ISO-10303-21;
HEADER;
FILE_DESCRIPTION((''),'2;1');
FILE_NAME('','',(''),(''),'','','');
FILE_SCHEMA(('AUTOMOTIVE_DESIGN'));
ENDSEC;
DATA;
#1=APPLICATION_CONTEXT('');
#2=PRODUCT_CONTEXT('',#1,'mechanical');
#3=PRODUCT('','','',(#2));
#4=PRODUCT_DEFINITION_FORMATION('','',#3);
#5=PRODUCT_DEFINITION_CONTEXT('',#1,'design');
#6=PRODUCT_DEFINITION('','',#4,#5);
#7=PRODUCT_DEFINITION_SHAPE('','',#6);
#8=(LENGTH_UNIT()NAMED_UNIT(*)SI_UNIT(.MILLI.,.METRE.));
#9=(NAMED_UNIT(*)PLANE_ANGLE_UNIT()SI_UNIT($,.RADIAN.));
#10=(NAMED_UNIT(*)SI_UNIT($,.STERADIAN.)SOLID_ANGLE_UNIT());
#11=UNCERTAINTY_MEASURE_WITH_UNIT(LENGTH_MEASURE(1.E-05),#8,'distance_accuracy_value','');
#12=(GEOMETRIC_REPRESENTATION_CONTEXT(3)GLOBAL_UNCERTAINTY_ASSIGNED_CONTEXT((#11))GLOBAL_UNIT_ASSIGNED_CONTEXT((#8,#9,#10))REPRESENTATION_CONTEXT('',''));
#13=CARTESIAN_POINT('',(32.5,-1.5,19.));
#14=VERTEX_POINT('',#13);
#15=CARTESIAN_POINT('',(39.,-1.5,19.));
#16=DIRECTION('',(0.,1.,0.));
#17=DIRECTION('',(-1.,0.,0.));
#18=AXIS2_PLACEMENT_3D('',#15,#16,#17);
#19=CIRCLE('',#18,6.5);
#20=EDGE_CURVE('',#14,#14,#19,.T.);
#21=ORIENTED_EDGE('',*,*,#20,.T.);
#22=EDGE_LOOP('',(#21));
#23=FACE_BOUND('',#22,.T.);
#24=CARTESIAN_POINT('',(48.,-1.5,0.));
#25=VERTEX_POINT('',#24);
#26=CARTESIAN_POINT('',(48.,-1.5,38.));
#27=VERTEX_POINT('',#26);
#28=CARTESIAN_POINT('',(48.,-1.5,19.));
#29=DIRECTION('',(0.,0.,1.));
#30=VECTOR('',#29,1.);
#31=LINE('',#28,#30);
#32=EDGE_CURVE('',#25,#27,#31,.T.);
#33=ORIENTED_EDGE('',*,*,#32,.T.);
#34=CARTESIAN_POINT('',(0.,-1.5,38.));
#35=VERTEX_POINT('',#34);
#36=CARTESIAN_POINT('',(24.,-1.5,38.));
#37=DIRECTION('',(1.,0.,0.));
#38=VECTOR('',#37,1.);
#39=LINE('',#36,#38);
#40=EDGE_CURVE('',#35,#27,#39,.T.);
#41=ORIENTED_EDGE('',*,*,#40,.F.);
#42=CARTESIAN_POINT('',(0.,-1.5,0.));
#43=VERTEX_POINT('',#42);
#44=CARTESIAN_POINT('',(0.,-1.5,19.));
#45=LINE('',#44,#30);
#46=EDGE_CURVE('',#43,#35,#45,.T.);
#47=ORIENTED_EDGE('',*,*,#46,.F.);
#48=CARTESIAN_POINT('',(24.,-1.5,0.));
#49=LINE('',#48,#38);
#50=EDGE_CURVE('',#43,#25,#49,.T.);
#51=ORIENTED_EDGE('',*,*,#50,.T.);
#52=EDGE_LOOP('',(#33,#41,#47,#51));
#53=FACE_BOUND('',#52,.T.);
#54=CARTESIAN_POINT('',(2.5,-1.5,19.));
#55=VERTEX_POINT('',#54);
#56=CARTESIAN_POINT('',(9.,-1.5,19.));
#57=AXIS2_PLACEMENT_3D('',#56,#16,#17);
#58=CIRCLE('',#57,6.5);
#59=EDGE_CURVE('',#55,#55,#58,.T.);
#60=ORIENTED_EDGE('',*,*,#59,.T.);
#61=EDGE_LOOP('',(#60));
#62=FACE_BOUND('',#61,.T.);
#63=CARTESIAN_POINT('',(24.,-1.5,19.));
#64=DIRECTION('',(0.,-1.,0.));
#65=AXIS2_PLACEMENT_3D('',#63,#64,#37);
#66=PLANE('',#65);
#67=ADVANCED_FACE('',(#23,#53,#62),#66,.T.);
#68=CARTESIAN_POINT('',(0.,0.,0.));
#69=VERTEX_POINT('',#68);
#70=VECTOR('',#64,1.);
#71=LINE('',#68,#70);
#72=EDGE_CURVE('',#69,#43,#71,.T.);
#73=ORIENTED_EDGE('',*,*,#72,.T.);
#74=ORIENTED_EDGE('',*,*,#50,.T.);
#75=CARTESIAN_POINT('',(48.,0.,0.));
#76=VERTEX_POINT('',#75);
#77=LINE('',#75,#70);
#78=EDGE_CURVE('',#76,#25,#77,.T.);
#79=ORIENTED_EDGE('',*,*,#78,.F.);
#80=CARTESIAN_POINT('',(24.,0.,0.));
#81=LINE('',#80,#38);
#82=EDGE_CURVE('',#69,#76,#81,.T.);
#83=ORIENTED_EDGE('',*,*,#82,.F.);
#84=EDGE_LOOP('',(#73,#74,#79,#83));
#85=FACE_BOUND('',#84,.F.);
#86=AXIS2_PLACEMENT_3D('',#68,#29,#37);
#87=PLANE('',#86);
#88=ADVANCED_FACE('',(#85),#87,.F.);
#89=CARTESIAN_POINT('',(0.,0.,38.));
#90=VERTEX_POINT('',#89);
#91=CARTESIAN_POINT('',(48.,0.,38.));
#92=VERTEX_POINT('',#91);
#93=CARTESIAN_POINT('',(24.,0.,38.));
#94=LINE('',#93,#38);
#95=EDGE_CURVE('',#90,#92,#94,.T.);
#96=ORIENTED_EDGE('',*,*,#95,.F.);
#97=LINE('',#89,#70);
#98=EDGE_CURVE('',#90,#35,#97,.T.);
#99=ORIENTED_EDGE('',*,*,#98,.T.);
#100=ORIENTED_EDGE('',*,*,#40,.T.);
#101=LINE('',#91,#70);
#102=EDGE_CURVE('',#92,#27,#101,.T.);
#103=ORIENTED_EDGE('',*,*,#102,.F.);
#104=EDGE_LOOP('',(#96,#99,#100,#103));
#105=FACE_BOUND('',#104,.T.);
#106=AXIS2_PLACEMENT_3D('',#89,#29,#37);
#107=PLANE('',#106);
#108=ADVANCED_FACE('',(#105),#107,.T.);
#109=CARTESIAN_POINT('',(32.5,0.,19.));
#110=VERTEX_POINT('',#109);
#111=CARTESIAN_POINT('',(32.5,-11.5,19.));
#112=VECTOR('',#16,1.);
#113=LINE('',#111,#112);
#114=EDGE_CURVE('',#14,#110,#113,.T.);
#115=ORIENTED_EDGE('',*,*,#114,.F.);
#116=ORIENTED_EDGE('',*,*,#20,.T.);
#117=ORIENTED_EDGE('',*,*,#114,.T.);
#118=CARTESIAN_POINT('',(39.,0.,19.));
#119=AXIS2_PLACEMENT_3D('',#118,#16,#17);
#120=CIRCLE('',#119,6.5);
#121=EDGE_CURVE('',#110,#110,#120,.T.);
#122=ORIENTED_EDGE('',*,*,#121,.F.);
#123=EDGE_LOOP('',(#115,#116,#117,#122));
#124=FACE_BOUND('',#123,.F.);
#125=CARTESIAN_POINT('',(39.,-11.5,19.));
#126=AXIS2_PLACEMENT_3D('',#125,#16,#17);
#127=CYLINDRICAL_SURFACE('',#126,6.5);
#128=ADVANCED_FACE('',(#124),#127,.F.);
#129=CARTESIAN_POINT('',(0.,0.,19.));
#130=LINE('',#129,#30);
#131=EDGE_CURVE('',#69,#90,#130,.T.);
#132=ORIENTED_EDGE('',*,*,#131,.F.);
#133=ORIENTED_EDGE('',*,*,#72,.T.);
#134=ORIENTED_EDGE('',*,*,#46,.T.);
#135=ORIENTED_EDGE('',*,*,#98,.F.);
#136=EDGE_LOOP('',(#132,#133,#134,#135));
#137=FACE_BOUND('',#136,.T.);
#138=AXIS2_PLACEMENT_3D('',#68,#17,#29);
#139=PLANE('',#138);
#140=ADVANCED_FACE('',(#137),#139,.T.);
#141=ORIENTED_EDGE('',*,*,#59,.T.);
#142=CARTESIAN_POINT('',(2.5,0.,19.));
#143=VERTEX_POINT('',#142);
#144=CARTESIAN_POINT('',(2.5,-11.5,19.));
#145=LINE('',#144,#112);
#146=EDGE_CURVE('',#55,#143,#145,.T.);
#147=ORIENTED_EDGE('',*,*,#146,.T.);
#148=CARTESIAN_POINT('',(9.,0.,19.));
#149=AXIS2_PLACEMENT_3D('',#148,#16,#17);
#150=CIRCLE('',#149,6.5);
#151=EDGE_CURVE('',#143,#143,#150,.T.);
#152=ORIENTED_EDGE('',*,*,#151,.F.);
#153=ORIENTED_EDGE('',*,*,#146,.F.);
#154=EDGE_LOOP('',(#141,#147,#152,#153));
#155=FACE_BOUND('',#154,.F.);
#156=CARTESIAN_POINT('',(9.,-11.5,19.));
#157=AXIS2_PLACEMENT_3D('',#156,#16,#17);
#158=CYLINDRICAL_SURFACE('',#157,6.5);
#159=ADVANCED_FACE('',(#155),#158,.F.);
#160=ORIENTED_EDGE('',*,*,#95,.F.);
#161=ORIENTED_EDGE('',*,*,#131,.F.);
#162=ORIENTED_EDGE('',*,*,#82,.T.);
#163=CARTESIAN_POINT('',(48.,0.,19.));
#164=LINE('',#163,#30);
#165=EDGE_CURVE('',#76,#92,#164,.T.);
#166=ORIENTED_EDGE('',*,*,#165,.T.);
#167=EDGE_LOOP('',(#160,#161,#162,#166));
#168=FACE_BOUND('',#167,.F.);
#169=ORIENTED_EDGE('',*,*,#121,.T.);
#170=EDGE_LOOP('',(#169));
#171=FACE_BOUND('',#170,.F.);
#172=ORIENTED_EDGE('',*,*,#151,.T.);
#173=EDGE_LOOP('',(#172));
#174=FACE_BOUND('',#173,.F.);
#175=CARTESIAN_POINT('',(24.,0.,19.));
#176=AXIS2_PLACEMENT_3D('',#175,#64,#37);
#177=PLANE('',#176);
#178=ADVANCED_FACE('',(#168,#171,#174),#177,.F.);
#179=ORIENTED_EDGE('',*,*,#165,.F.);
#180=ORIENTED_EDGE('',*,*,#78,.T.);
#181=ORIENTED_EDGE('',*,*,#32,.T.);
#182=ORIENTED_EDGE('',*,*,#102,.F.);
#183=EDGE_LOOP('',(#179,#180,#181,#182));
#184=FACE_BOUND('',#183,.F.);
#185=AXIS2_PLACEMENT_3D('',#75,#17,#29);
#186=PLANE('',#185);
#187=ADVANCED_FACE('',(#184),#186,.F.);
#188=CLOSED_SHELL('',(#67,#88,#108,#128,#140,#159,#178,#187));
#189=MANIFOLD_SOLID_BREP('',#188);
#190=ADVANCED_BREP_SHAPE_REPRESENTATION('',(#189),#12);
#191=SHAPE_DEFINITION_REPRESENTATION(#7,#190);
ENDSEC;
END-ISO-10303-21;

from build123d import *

# Parameters (mm, degrees)
F0_W     = 48
F0_H     = 38
F1_DEPTH = 1.5
F3_D     = 13
F3_DEPTH = 10


with BuildPart() as f1:
    # F0 (on Front) → F1 (new body)
    with BuildSketch(Plane.XZ):
        with Locations((24, 19)):
            Rectangle(F0_W, F0_H)
    extrude(amount=F1_DEPTH)

    # F3
    with Locations(Plane.XZ.offset(1.5)):
        with Locations((9, 19), (39, 19)):
            Hole(F3_D / 2, depth=F3_DEPTH)


solid = f1.part
